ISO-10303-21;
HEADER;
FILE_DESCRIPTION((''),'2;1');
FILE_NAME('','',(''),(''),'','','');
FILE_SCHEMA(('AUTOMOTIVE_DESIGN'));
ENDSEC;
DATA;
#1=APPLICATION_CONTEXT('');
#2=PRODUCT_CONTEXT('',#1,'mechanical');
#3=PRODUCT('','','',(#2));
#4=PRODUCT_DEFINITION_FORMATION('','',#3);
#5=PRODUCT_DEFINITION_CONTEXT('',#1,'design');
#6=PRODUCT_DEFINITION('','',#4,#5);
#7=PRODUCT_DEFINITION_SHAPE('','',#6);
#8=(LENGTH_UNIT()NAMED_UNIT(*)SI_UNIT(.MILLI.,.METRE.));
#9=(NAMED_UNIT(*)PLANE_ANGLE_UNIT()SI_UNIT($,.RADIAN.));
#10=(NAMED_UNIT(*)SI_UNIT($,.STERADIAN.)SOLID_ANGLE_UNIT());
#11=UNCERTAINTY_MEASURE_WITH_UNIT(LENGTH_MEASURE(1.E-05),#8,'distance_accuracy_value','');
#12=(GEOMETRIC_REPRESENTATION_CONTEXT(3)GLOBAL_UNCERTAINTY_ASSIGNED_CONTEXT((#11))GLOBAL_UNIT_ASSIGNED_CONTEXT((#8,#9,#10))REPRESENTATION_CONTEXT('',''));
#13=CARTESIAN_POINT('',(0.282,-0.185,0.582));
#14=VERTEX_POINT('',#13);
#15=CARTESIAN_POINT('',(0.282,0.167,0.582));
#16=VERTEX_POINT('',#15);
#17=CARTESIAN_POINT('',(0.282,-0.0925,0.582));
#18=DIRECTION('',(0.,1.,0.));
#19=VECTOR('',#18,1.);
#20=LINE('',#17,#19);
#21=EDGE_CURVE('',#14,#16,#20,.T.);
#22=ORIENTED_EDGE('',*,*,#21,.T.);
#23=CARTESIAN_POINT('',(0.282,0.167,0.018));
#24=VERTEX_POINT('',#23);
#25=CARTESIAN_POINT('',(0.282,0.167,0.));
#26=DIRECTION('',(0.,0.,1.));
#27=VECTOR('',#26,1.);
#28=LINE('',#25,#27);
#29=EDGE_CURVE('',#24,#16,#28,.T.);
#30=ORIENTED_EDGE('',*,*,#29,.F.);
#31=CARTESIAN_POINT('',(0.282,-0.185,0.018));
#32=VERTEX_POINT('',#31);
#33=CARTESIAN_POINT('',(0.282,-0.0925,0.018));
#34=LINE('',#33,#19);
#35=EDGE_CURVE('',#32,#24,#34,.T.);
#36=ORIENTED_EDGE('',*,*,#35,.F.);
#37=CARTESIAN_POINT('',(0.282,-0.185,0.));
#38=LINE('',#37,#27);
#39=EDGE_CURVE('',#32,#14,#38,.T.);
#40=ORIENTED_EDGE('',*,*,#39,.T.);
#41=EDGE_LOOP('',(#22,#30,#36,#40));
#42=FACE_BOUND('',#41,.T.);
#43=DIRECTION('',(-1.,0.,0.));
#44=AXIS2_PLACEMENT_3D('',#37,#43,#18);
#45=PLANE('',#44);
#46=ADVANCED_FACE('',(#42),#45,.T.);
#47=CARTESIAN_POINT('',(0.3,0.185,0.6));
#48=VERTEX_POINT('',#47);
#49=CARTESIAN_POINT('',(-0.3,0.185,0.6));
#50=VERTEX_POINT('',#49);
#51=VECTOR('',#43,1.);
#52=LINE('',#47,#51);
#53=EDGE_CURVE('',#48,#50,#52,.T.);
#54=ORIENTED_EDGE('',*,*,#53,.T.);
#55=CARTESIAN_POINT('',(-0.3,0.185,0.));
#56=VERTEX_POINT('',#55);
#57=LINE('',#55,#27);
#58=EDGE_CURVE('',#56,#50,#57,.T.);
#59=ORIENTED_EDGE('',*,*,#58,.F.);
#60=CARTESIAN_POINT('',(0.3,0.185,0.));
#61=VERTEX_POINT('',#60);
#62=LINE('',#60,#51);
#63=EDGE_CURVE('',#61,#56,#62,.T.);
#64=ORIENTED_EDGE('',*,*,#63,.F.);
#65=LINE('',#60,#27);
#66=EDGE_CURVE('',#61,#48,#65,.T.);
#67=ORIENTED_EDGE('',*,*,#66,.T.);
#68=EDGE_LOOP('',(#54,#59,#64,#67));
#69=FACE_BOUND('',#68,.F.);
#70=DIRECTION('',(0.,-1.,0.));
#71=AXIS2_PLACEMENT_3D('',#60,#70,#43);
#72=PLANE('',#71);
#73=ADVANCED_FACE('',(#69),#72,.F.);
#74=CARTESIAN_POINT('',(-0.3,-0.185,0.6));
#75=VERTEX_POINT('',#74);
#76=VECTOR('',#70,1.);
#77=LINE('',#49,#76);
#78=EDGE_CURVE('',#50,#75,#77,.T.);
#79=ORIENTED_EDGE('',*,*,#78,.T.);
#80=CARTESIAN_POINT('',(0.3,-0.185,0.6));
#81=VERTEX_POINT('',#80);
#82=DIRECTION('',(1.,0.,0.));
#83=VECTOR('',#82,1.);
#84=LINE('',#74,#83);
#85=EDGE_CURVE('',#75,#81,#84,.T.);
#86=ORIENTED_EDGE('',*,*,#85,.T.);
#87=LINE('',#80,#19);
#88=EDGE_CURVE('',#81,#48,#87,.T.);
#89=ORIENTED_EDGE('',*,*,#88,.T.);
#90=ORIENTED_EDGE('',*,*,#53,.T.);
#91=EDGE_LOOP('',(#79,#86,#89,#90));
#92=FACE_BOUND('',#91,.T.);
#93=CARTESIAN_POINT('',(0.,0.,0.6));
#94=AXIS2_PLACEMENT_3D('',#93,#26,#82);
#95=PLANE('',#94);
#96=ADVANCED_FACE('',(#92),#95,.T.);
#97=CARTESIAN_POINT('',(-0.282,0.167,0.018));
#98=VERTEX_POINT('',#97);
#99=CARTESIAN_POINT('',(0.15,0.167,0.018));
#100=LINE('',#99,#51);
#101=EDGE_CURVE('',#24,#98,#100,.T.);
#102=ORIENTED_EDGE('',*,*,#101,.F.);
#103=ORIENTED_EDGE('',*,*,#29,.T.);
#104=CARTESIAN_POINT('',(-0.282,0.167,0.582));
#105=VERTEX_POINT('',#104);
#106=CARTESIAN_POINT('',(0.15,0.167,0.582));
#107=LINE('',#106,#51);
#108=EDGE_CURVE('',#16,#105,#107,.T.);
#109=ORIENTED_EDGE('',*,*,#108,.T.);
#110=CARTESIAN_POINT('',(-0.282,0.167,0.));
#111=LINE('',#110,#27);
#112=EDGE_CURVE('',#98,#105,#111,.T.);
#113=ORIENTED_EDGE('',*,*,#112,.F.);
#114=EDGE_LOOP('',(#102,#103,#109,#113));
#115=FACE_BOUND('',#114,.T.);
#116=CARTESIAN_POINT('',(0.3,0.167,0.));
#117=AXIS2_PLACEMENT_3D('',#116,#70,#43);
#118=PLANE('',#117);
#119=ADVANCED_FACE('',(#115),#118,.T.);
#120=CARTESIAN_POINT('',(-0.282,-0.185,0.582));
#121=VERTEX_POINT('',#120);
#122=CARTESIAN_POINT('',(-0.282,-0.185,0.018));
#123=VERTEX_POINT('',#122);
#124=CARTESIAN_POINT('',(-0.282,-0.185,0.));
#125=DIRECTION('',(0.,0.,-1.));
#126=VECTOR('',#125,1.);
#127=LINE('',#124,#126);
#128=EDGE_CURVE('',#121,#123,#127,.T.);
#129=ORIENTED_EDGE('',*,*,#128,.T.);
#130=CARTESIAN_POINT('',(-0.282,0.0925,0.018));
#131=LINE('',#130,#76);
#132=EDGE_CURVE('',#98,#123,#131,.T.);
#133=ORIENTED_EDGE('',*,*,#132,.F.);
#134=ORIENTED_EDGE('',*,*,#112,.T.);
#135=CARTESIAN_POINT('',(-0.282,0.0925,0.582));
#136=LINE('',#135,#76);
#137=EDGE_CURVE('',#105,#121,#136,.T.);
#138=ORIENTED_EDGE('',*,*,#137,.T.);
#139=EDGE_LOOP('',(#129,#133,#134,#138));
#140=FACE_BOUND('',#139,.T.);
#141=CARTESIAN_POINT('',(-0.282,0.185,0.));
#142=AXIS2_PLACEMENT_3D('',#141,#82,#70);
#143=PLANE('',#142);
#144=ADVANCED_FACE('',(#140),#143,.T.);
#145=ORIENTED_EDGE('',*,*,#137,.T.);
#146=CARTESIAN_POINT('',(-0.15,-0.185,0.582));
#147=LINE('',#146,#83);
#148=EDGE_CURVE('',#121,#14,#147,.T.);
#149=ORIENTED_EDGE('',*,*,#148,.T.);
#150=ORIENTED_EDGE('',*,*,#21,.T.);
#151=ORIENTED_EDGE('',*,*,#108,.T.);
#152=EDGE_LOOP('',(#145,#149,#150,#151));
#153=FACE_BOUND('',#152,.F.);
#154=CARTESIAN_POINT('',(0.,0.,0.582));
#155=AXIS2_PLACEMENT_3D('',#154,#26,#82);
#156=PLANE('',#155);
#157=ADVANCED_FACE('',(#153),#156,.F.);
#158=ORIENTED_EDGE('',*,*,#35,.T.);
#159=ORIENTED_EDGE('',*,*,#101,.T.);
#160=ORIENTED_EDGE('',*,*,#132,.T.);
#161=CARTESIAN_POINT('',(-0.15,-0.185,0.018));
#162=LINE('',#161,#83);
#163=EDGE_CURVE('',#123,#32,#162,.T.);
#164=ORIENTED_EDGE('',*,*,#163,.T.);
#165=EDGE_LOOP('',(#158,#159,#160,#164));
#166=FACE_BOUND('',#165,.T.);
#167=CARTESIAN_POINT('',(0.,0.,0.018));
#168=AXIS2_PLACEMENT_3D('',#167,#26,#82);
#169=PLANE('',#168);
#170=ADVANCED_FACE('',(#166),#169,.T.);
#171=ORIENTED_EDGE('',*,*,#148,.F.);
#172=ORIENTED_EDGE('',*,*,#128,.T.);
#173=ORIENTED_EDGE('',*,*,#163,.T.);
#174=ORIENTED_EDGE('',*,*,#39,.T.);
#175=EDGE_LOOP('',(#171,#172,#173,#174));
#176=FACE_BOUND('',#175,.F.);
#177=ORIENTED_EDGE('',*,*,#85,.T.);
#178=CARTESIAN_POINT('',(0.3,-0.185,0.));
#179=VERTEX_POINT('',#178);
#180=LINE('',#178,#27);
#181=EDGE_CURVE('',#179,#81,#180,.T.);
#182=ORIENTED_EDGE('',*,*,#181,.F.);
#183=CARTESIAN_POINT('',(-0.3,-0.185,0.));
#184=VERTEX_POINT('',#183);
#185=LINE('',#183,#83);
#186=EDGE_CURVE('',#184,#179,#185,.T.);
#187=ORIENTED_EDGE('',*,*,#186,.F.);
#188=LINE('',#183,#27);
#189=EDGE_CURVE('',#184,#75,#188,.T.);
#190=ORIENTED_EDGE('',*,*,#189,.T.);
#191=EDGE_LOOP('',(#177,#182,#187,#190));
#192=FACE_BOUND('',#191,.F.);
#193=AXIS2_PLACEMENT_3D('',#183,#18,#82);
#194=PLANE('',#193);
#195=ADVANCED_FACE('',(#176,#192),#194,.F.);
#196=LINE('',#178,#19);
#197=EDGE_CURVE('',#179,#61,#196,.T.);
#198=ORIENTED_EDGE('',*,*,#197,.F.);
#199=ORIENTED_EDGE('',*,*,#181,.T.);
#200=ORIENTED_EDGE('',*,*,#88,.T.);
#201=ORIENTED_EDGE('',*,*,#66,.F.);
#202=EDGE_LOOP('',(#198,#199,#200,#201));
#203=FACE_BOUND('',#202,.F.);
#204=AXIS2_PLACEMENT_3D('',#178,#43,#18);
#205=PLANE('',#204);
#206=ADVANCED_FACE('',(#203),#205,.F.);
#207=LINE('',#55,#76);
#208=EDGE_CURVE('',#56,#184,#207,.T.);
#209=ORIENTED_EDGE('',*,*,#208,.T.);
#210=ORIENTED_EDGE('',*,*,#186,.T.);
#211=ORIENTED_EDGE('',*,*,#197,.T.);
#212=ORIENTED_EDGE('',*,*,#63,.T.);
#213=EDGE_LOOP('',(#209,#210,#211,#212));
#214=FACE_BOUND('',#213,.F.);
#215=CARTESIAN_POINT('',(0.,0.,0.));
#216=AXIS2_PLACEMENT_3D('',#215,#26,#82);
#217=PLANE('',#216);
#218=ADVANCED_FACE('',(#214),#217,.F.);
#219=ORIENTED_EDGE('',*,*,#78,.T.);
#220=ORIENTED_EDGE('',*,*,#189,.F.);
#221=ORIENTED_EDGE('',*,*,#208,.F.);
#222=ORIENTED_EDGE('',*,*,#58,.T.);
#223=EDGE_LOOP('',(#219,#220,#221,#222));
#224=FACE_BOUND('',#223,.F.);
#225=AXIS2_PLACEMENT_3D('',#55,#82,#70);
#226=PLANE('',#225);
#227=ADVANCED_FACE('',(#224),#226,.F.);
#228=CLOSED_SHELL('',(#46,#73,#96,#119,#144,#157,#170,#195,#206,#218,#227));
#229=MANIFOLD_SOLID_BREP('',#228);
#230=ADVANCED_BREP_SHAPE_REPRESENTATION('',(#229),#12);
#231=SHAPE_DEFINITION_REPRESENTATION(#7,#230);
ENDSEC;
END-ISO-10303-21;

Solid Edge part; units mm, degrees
sketch "Sketch1" plane through (0, 0, 0) normal (0, 0, 1) x (1, 0, 0)
  line L0 (-0.3, -0.185) -> (0.3, -0.185)
  line L1 (0.3, -0.185) -> (0.3, 0.185)
  line L2 (0.3, 0.185) -> (-0.3, 0.185)
  line L3 (-0.3, 0.185) -> (-0.3, -0.185)
  dimension "D1" = 0.6
  dimension "D2" = 0.37
extrude "Protrusion1" add sketch "Sketch1" along normal blind 0.6
shell "Dünnwand_1" thickness 0.018 removed faces 1 at (-0.206, -0.185, 0.494)
